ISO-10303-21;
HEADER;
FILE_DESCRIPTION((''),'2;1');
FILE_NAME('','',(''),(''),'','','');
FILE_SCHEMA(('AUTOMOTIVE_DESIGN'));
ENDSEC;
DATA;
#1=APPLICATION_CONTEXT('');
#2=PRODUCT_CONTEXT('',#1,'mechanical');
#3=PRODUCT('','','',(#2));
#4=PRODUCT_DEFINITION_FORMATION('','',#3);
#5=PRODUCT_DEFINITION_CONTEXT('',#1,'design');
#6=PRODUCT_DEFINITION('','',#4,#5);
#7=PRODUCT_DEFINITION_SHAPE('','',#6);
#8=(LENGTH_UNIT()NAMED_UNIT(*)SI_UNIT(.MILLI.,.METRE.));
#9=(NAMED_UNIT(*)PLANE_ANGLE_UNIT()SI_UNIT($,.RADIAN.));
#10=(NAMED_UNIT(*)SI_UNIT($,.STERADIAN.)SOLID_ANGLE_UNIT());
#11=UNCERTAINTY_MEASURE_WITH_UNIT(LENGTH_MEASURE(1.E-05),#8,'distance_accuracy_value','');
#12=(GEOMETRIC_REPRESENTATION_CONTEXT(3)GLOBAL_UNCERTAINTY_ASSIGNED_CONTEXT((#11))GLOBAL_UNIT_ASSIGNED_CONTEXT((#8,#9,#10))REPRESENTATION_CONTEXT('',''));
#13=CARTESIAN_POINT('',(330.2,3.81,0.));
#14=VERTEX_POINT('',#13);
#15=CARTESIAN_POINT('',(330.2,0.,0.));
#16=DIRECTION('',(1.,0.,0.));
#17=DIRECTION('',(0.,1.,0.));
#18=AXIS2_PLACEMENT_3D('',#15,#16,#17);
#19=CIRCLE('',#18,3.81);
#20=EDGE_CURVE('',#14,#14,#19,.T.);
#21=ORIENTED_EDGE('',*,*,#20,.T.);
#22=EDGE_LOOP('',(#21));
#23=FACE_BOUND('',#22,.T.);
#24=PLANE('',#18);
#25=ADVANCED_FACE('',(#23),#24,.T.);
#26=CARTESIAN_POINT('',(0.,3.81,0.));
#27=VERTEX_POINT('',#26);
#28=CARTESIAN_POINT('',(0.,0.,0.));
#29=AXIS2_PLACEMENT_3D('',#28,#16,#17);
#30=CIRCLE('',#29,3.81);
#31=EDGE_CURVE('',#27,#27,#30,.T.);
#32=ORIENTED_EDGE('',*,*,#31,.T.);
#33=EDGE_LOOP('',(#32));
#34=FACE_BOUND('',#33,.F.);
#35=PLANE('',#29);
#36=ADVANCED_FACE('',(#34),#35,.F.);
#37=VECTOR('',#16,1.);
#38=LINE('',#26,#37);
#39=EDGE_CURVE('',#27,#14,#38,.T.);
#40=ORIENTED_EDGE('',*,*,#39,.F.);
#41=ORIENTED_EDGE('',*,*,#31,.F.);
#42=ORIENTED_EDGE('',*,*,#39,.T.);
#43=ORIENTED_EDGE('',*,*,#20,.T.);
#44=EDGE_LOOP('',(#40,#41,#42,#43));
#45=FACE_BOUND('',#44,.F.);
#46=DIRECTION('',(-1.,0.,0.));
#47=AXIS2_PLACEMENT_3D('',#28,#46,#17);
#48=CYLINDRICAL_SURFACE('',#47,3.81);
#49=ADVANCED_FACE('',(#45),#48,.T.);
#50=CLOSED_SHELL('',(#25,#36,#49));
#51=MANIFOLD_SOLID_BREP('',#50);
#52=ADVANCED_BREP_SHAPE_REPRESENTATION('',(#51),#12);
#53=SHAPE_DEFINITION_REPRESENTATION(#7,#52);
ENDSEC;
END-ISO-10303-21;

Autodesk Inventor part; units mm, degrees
ref_plane "YZ Plane" through (0, 0, 0) normal (1, 0, 0) x (0, 1, 0)
ref_plane "XZ Plane" through (0, 0, 0) normal (0, 1, 0) x (-1, 0, 0)
ref_plane "XY Plane" through (0, 0, 0) normal (0, 0, 1) x (1, 0, 0)
sketch "Sketch1" plane through (0, 0, 0) normal (1, 0, 0) x (0, 1, 0)
  circle A0 centre (0, 0) radius 3.81
  dimension "d0" = 7.62
extrude "Extrusion1" add sketch "Sketch1" along normal blind 330.2
properties part number "barre horizontale" material "PAEK Plastic"
